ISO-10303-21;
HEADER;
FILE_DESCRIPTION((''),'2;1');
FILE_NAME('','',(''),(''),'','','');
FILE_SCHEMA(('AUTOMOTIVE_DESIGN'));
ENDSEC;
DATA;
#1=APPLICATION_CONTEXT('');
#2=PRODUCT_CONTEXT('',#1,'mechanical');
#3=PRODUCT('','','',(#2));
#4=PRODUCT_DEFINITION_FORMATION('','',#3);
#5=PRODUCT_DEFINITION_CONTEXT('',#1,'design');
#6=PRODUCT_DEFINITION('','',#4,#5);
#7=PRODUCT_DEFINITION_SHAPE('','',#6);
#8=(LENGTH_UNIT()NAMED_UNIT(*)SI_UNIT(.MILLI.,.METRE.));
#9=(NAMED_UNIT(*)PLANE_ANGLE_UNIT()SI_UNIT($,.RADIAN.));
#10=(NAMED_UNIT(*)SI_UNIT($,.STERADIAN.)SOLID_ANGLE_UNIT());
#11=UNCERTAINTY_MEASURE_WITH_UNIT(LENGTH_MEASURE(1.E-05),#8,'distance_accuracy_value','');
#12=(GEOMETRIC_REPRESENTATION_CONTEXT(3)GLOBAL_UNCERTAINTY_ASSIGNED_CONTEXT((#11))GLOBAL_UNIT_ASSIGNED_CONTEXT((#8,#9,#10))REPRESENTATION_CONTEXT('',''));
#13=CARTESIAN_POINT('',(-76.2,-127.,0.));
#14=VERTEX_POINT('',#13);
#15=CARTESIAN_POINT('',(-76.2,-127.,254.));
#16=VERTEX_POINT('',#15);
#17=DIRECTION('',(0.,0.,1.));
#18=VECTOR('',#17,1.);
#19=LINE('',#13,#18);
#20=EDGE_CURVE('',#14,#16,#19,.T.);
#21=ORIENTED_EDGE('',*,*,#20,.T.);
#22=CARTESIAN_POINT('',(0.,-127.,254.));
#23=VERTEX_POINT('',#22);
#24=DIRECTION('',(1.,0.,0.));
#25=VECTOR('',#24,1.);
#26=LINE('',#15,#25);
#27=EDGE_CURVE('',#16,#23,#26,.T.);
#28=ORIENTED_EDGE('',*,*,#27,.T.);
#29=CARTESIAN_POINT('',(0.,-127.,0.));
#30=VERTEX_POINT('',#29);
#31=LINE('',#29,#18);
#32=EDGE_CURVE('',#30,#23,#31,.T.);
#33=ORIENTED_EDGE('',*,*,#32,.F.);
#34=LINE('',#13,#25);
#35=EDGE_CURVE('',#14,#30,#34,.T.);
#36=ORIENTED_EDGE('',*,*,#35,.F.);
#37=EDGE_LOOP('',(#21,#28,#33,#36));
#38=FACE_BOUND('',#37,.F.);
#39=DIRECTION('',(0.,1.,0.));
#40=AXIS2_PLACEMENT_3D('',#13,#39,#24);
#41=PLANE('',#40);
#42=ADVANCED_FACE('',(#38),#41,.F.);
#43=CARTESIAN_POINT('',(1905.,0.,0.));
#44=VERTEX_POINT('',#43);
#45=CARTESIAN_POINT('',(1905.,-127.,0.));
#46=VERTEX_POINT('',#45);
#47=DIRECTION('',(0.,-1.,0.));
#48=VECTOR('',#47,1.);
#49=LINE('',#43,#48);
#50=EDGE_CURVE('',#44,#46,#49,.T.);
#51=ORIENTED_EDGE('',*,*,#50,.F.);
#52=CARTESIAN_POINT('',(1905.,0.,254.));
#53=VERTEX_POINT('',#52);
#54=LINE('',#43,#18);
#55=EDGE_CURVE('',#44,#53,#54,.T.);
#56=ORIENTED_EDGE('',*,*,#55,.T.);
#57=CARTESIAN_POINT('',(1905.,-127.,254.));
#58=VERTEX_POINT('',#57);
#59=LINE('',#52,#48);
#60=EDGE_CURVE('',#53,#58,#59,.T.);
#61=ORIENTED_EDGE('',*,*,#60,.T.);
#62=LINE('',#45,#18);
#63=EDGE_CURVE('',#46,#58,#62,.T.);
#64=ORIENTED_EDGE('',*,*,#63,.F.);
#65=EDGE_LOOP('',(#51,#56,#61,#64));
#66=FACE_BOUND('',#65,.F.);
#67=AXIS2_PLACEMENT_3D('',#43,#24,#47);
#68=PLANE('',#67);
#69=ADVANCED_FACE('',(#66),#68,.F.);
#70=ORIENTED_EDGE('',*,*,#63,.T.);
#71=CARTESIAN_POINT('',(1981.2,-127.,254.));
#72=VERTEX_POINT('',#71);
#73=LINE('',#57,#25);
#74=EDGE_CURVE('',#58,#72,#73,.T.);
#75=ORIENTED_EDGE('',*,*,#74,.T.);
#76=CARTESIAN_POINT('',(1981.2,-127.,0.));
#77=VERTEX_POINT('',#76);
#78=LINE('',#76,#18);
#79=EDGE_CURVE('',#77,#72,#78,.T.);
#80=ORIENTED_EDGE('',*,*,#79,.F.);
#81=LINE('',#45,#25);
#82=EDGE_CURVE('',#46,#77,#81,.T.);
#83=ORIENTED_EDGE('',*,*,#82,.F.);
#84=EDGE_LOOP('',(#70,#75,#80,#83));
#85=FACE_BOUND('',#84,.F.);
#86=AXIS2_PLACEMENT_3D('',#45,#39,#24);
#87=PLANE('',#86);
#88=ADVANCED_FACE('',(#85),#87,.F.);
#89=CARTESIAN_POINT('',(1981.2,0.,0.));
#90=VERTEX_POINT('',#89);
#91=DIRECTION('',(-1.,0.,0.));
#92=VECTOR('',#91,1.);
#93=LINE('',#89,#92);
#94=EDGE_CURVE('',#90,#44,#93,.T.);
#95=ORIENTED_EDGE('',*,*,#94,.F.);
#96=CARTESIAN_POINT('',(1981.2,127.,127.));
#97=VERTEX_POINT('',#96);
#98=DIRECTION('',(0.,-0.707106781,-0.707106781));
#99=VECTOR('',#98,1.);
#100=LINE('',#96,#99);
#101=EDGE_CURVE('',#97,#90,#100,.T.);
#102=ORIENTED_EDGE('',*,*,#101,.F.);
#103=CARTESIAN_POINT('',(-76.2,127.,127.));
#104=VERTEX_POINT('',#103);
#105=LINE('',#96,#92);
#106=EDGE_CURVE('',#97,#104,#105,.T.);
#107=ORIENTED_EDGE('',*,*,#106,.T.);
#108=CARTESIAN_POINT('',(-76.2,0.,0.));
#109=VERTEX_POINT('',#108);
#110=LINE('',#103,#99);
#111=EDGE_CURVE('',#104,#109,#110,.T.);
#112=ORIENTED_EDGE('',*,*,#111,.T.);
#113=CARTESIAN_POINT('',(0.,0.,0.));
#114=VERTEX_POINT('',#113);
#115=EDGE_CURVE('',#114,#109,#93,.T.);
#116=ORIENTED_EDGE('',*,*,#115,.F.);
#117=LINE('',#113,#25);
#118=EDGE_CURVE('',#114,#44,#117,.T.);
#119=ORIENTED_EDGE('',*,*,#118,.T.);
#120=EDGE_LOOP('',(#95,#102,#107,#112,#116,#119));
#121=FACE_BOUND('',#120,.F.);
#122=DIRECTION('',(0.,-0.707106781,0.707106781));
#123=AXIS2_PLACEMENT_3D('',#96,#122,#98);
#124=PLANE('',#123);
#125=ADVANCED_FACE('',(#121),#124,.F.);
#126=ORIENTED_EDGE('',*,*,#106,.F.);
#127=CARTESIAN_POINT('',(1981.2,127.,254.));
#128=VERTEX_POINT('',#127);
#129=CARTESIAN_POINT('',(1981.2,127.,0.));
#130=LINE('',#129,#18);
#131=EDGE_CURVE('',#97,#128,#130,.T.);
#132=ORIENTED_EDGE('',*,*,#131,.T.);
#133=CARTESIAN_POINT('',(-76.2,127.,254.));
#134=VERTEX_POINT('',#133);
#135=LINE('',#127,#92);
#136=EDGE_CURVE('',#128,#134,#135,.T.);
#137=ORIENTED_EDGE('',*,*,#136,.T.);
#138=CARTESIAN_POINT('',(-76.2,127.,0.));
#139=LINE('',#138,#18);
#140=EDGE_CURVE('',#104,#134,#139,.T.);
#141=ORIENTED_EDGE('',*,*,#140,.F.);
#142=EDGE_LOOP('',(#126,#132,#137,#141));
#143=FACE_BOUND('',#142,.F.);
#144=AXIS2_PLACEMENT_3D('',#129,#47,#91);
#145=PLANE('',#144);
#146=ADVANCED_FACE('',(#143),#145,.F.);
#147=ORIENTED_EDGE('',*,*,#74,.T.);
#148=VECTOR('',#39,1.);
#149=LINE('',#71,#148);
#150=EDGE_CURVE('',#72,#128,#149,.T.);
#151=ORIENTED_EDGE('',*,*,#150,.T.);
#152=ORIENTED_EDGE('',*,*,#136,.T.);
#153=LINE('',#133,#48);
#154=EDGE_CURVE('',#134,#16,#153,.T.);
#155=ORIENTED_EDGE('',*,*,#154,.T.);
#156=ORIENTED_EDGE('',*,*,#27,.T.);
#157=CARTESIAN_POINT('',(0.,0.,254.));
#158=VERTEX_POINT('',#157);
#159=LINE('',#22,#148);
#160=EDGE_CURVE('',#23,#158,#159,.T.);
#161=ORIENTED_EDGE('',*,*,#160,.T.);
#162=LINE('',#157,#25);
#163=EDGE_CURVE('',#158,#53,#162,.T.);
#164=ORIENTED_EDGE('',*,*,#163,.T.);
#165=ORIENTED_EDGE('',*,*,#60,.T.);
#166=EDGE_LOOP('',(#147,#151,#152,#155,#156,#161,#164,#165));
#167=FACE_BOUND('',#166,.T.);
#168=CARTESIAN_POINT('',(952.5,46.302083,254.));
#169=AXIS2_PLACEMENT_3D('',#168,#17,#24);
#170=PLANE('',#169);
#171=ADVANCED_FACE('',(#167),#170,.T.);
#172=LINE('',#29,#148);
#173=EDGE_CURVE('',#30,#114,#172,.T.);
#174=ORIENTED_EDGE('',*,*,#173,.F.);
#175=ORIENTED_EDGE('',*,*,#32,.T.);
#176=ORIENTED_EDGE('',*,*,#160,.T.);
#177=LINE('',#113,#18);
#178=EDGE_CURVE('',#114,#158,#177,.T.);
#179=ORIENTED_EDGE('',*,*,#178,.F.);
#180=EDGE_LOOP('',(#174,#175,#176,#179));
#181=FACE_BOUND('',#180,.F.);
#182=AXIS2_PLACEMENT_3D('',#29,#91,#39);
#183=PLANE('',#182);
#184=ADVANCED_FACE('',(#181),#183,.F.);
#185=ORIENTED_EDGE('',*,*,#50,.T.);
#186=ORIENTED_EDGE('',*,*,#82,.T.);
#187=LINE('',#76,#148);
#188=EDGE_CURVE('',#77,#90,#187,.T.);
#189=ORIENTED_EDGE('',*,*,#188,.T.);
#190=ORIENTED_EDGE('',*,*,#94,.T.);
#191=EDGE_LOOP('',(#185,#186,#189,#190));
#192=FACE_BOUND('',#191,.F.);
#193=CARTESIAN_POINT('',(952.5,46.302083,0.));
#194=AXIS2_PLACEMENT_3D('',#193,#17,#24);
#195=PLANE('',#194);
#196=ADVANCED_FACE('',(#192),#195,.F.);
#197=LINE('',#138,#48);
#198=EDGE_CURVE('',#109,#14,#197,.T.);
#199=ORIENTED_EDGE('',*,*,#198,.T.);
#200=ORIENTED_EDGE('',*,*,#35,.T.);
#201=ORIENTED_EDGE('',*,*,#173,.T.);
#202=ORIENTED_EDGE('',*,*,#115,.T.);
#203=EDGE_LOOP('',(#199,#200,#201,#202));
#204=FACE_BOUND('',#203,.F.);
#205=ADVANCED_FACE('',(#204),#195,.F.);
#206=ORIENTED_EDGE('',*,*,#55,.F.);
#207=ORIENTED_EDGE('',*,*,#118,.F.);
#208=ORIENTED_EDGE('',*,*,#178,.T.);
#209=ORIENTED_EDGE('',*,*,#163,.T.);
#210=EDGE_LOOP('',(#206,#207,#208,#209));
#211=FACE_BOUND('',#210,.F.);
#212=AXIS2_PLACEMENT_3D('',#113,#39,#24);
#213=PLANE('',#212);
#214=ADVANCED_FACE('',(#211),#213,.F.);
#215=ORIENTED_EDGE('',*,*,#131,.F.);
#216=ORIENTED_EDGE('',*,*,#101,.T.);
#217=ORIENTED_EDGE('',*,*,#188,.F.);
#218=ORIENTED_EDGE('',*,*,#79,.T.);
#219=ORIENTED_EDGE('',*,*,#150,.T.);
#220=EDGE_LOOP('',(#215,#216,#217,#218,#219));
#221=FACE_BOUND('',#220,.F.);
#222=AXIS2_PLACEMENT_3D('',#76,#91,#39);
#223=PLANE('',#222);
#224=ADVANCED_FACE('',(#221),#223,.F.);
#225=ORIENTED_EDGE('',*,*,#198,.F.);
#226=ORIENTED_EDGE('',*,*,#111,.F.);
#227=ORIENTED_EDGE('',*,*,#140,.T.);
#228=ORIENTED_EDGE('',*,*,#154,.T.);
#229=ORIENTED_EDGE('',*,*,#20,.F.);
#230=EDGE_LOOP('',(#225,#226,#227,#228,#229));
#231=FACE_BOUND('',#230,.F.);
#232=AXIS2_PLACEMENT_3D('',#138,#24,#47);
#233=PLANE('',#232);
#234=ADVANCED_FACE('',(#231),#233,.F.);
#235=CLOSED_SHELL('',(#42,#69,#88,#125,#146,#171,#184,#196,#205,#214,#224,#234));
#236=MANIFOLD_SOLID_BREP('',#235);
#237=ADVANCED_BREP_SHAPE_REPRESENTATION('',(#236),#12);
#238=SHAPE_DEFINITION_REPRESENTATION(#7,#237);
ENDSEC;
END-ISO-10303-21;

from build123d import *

# Parameters (mm, degrees)
F1_DEPTH = 254
F3_DEPTH = 2057.4


with BuildPart() as f1:
    # F0 (on Top) → F1 (new body)
    with BuildSketch(Plane.XY):
        Polygon((0, -127), (0, 0), (1905, 0), (1905, -127), (1981.2, -127), (1981.2, 127), (-76.2, 127), (-76.2, -127), align=None)
    extrude(amount=F1_DEPTH)

    # F2 (on face) → F3 (cut)
    with BuildSketch(Plane.YZ.offset(1981.2)):
        Polygon((127, 127), (0, 0), (127, 0), align=None)
    extrude(amount=-F3_DEPTH, mode=Mode.SUBTRACT)


solid = f1.part
